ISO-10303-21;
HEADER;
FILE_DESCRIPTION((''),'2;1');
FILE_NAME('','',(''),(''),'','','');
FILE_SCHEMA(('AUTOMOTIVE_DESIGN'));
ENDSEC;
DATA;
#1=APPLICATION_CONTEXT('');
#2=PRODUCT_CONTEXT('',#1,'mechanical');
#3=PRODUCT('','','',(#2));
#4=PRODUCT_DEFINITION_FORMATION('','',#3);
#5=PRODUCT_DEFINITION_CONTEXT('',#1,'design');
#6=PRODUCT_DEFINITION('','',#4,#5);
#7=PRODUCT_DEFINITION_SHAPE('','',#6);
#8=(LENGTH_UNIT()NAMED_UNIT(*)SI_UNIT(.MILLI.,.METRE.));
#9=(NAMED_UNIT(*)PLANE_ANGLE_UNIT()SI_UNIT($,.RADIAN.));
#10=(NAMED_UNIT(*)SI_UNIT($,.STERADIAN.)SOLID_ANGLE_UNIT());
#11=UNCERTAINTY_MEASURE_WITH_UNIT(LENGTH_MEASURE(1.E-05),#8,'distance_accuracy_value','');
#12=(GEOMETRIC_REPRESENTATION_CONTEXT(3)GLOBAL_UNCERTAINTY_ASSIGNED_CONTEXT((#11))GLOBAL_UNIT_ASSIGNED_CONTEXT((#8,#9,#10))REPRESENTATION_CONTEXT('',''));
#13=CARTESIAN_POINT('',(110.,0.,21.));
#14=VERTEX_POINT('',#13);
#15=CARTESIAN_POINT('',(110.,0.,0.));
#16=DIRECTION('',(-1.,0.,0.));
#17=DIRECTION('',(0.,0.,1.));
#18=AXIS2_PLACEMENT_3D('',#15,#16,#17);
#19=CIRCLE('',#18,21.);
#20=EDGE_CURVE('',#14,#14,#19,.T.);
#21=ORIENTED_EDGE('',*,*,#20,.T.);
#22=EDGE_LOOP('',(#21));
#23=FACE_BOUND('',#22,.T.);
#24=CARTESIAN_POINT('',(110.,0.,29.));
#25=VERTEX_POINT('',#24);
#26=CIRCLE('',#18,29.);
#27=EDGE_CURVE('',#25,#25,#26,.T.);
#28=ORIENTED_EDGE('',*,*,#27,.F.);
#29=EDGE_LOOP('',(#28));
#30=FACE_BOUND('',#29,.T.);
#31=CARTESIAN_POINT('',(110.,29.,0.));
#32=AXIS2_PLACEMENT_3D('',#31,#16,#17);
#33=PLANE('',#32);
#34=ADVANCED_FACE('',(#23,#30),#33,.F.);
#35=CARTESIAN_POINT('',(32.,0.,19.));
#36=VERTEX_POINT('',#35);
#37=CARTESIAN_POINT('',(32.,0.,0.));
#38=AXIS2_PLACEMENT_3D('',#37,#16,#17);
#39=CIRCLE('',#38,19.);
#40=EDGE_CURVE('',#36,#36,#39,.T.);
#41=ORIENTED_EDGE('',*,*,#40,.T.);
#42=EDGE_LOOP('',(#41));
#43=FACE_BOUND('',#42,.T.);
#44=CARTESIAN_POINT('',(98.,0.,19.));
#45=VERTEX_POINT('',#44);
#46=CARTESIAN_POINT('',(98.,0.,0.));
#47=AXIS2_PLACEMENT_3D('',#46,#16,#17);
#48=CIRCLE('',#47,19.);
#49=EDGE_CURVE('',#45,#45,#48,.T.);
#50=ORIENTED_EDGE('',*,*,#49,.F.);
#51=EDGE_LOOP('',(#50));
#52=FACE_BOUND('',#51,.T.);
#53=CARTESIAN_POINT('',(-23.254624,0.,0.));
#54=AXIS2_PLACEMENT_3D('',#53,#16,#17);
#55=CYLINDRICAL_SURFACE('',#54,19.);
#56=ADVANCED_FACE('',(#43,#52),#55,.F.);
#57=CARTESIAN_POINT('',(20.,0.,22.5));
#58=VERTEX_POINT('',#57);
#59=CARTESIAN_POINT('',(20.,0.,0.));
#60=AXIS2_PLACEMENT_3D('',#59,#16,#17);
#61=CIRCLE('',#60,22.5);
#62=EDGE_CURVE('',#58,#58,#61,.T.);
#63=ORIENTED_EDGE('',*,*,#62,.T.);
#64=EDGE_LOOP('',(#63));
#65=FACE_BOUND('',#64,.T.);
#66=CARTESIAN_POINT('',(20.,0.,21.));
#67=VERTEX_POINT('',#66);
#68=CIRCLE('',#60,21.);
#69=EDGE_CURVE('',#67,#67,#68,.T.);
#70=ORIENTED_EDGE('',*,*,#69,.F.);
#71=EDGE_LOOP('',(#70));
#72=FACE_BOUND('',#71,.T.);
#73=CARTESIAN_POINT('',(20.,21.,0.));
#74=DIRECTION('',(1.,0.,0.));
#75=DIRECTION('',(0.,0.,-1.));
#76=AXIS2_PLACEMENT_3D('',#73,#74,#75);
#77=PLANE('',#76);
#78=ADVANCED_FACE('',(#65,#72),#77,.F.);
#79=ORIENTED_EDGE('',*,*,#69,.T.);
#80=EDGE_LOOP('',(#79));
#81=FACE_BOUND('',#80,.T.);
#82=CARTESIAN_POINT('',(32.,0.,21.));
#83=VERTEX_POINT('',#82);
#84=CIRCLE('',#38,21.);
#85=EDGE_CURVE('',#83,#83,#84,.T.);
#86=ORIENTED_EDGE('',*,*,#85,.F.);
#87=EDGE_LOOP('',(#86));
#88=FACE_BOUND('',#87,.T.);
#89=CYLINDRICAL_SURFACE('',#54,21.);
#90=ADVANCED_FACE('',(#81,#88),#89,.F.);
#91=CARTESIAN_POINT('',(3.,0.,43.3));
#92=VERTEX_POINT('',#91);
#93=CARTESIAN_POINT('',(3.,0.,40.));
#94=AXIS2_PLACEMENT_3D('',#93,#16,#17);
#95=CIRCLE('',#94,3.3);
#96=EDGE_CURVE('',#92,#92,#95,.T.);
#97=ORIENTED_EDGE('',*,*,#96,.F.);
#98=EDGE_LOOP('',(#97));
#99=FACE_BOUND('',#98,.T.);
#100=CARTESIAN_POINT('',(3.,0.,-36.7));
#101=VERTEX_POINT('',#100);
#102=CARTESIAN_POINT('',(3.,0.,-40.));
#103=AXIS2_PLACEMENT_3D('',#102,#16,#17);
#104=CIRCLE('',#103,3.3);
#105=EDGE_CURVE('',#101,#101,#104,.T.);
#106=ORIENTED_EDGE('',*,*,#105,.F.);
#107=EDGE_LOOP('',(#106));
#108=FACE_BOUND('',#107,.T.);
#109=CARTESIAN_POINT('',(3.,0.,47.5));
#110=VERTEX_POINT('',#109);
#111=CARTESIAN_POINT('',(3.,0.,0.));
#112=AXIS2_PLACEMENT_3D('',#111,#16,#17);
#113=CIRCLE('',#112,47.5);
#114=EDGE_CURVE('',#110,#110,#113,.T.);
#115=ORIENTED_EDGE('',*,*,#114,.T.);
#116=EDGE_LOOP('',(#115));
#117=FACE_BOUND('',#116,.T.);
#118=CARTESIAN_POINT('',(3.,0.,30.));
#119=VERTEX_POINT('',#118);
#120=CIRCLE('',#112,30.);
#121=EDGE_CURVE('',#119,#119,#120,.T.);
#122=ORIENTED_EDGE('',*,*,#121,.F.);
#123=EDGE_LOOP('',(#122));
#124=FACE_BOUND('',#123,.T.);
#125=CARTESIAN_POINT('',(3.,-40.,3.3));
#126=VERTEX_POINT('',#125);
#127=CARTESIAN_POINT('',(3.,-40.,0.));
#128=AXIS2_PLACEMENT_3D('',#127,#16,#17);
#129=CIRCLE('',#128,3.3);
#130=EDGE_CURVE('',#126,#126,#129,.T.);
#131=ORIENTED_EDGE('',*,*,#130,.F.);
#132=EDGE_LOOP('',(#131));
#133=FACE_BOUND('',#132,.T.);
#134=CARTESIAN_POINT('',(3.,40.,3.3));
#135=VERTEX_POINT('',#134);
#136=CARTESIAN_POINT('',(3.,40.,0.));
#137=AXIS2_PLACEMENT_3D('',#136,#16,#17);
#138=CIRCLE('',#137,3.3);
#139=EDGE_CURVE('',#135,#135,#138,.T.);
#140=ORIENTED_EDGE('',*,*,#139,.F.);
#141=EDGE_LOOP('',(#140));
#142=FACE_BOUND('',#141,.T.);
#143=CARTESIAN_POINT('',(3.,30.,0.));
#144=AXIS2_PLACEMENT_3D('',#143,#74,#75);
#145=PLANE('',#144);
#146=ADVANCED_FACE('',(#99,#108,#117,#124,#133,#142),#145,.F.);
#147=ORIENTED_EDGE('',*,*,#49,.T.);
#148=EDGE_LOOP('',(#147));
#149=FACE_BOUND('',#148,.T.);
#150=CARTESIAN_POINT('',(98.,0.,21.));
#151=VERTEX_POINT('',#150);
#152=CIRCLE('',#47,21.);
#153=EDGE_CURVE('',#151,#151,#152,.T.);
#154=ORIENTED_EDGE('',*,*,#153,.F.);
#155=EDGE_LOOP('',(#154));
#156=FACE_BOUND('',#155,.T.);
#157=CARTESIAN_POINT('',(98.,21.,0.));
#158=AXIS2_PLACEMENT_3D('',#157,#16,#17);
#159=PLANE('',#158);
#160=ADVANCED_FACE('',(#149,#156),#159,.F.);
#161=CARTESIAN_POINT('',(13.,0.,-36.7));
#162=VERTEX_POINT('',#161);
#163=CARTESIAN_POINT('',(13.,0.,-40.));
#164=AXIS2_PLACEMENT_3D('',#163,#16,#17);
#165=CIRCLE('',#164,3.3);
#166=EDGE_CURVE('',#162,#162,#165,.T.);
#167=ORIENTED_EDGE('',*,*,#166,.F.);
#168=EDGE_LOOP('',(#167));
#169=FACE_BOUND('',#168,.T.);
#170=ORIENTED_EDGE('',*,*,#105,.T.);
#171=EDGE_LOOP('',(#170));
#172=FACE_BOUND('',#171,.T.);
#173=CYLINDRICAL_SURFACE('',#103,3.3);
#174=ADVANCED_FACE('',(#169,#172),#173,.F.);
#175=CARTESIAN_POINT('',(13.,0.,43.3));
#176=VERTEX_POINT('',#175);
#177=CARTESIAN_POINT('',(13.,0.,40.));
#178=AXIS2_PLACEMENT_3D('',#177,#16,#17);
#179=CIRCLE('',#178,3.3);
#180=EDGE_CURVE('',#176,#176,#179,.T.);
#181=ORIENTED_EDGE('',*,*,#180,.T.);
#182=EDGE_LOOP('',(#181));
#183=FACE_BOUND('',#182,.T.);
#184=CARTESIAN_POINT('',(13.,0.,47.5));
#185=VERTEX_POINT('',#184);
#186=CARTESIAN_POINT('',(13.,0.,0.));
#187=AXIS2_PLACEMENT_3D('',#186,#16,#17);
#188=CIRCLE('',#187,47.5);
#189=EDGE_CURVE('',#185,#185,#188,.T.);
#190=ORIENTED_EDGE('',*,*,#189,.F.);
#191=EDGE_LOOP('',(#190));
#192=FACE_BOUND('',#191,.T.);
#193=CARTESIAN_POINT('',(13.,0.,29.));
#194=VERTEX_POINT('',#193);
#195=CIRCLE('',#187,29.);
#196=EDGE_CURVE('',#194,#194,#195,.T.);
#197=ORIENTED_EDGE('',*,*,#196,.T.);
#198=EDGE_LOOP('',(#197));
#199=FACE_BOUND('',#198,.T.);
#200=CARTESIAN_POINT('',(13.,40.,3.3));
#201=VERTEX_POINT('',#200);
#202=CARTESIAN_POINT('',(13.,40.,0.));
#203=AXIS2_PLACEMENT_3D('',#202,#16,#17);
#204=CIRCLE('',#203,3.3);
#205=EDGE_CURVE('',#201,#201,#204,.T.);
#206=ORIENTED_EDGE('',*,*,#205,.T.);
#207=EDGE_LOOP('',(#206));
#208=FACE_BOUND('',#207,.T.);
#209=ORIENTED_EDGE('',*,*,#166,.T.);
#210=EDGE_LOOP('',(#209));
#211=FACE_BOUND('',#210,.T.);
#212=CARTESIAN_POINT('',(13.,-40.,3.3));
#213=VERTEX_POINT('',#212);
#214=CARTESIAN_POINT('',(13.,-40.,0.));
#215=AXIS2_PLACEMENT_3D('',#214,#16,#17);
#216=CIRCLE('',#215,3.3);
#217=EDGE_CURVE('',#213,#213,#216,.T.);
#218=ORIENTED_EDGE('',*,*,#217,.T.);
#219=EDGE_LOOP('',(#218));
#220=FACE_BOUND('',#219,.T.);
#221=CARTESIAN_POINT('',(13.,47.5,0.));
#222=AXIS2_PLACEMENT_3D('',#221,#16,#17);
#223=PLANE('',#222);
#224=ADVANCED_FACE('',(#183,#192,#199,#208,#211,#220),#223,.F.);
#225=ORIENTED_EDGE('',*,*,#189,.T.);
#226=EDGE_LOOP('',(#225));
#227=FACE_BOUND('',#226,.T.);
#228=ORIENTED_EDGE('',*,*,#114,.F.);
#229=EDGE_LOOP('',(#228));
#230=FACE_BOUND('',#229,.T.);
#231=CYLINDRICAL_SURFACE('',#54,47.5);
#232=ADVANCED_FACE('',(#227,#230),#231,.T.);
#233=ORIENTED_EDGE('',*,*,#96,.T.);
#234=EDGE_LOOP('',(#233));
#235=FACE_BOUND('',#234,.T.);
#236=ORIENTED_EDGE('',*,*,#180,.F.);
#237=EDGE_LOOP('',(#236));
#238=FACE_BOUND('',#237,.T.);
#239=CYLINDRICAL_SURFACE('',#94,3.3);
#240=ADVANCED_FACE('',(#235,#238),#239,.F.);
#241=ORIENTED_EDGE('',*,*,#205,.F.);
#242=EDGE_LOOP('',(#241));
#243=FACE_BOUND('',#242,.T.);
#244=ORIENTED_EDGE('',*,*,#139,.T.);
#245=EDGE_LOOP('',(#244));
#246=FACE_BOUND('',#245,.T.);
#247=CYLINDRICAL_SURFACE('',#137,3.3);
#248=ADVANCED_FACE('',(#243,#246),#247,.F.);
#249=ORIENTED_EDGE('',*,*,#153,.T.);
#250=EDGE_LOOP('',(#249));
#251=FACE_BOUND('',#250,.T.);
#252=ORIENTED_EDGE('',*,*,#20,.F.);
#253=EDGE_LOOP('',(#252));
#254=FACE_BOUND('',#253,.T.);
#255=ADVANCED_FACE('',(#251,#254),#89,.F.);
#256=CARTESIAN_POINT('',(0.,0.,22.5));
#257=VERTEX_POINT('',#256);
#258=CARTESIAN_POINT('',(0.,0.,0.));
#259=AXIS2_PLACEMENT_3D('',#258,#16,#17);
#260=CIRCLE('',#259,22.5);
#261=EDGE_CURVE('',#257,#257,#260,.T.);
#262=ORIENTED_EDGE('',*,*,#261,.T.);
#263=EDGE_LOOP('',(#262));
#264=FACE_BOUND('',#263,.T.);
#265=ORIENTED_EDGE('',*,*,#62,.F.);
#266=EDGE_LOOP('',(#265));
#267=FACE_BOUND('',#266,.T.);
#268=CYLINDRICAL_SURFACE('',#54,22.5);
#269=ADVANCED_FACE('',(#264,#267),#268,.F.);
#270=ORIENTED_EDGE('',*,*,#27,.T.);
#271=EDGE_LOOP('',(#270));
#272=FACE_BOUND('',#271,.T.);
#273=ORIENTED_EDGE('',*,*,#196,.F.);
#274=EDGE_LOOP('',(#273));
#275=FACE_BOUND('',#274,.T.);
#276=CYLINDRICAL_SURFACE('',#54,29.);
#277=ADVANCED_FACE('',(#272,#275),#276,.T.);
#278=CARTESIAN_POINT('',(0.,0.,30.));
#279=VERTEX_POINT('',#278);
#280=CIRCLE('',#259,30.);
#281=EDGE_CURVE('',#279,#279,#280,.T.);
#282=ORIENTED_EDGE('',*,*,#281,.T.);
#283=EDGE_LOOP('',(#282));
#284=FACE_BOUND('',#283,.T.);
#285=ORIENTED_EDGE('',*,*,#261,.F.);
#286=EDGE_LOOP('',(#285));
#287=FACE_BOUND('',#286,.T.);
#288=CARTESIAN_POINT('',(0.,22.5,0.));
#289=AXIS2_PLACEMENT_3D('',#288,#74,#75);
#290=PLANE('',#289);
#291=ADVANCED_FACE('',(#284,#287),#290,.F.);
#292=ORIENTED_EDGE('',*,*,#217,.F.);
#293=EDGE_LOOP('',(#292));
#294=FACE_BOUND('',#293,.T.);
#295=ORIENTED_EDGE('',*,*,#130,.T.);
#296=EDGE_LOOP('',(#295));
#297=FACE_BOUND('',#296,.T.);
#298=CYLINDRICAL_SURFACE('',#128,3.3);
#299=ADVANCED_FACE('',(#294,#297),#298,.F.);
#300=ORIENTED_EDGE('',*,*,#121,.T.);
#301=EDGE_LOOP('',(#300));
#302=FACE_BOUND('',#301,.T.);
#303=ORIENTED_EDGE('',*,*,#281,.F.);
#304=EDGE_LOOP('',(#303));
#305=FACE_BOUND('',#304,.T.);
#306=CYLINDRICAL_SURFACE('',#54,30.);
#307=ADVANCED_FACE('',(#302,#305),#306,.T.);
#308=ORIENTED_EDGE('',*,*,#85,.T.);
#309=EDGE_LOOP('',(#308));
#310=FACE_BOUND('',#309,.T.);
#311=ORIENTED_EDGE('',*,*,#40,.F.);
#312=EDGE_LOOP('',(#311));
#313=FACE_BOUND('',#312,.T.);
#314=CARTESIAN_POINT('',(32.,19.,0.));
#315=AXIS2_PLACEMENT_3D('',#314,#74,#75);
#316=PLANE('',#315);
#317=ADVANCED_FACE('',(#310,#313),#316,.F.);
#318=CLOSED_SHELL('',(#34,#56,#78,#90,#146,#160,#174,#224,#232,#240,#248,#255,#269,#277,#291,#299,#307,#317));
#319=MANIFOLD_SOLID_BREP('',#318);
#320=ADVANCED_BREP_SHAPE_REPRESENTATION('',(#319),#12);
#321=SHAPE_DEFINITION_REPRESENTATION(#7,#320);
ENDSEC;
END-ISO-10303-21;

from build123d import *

# Parameters (mm, degrees)
PER_AGE1_D = 6.6


with BuildPart() as part:
    # Esquisse1 → Base-Révolution (revolve)
    with BuildSketch(Plane.XY, mode=Mode.PRIVATE) as base_r_volution_sk:
        Polygon((0, 22.5), (0, 30), (3, 30), (3, 47.5), (13, 47.5), (13, 29), (110, 29), (110, 21), (98, 21), (98, 19), (32, 19), (32, 21), (20, 21), (20, 22.5), align=None)
    revolve(base_r_volution_sk.sketch.rotate(Axis((-23.254623921, 0, 0), (1, 0, 0)), 90), axis=Axis((-23.254623921, 0, 0), (1, 0, 0)))

    # Perçage1 (through all)
    with Locations(Plane.ZY.offset(-3)):
        with Locations((0, 40), (40, 0), (-40, 0), (0, -40)):
            Hole(PER_AGE1_D / 2)


solid = part.part
